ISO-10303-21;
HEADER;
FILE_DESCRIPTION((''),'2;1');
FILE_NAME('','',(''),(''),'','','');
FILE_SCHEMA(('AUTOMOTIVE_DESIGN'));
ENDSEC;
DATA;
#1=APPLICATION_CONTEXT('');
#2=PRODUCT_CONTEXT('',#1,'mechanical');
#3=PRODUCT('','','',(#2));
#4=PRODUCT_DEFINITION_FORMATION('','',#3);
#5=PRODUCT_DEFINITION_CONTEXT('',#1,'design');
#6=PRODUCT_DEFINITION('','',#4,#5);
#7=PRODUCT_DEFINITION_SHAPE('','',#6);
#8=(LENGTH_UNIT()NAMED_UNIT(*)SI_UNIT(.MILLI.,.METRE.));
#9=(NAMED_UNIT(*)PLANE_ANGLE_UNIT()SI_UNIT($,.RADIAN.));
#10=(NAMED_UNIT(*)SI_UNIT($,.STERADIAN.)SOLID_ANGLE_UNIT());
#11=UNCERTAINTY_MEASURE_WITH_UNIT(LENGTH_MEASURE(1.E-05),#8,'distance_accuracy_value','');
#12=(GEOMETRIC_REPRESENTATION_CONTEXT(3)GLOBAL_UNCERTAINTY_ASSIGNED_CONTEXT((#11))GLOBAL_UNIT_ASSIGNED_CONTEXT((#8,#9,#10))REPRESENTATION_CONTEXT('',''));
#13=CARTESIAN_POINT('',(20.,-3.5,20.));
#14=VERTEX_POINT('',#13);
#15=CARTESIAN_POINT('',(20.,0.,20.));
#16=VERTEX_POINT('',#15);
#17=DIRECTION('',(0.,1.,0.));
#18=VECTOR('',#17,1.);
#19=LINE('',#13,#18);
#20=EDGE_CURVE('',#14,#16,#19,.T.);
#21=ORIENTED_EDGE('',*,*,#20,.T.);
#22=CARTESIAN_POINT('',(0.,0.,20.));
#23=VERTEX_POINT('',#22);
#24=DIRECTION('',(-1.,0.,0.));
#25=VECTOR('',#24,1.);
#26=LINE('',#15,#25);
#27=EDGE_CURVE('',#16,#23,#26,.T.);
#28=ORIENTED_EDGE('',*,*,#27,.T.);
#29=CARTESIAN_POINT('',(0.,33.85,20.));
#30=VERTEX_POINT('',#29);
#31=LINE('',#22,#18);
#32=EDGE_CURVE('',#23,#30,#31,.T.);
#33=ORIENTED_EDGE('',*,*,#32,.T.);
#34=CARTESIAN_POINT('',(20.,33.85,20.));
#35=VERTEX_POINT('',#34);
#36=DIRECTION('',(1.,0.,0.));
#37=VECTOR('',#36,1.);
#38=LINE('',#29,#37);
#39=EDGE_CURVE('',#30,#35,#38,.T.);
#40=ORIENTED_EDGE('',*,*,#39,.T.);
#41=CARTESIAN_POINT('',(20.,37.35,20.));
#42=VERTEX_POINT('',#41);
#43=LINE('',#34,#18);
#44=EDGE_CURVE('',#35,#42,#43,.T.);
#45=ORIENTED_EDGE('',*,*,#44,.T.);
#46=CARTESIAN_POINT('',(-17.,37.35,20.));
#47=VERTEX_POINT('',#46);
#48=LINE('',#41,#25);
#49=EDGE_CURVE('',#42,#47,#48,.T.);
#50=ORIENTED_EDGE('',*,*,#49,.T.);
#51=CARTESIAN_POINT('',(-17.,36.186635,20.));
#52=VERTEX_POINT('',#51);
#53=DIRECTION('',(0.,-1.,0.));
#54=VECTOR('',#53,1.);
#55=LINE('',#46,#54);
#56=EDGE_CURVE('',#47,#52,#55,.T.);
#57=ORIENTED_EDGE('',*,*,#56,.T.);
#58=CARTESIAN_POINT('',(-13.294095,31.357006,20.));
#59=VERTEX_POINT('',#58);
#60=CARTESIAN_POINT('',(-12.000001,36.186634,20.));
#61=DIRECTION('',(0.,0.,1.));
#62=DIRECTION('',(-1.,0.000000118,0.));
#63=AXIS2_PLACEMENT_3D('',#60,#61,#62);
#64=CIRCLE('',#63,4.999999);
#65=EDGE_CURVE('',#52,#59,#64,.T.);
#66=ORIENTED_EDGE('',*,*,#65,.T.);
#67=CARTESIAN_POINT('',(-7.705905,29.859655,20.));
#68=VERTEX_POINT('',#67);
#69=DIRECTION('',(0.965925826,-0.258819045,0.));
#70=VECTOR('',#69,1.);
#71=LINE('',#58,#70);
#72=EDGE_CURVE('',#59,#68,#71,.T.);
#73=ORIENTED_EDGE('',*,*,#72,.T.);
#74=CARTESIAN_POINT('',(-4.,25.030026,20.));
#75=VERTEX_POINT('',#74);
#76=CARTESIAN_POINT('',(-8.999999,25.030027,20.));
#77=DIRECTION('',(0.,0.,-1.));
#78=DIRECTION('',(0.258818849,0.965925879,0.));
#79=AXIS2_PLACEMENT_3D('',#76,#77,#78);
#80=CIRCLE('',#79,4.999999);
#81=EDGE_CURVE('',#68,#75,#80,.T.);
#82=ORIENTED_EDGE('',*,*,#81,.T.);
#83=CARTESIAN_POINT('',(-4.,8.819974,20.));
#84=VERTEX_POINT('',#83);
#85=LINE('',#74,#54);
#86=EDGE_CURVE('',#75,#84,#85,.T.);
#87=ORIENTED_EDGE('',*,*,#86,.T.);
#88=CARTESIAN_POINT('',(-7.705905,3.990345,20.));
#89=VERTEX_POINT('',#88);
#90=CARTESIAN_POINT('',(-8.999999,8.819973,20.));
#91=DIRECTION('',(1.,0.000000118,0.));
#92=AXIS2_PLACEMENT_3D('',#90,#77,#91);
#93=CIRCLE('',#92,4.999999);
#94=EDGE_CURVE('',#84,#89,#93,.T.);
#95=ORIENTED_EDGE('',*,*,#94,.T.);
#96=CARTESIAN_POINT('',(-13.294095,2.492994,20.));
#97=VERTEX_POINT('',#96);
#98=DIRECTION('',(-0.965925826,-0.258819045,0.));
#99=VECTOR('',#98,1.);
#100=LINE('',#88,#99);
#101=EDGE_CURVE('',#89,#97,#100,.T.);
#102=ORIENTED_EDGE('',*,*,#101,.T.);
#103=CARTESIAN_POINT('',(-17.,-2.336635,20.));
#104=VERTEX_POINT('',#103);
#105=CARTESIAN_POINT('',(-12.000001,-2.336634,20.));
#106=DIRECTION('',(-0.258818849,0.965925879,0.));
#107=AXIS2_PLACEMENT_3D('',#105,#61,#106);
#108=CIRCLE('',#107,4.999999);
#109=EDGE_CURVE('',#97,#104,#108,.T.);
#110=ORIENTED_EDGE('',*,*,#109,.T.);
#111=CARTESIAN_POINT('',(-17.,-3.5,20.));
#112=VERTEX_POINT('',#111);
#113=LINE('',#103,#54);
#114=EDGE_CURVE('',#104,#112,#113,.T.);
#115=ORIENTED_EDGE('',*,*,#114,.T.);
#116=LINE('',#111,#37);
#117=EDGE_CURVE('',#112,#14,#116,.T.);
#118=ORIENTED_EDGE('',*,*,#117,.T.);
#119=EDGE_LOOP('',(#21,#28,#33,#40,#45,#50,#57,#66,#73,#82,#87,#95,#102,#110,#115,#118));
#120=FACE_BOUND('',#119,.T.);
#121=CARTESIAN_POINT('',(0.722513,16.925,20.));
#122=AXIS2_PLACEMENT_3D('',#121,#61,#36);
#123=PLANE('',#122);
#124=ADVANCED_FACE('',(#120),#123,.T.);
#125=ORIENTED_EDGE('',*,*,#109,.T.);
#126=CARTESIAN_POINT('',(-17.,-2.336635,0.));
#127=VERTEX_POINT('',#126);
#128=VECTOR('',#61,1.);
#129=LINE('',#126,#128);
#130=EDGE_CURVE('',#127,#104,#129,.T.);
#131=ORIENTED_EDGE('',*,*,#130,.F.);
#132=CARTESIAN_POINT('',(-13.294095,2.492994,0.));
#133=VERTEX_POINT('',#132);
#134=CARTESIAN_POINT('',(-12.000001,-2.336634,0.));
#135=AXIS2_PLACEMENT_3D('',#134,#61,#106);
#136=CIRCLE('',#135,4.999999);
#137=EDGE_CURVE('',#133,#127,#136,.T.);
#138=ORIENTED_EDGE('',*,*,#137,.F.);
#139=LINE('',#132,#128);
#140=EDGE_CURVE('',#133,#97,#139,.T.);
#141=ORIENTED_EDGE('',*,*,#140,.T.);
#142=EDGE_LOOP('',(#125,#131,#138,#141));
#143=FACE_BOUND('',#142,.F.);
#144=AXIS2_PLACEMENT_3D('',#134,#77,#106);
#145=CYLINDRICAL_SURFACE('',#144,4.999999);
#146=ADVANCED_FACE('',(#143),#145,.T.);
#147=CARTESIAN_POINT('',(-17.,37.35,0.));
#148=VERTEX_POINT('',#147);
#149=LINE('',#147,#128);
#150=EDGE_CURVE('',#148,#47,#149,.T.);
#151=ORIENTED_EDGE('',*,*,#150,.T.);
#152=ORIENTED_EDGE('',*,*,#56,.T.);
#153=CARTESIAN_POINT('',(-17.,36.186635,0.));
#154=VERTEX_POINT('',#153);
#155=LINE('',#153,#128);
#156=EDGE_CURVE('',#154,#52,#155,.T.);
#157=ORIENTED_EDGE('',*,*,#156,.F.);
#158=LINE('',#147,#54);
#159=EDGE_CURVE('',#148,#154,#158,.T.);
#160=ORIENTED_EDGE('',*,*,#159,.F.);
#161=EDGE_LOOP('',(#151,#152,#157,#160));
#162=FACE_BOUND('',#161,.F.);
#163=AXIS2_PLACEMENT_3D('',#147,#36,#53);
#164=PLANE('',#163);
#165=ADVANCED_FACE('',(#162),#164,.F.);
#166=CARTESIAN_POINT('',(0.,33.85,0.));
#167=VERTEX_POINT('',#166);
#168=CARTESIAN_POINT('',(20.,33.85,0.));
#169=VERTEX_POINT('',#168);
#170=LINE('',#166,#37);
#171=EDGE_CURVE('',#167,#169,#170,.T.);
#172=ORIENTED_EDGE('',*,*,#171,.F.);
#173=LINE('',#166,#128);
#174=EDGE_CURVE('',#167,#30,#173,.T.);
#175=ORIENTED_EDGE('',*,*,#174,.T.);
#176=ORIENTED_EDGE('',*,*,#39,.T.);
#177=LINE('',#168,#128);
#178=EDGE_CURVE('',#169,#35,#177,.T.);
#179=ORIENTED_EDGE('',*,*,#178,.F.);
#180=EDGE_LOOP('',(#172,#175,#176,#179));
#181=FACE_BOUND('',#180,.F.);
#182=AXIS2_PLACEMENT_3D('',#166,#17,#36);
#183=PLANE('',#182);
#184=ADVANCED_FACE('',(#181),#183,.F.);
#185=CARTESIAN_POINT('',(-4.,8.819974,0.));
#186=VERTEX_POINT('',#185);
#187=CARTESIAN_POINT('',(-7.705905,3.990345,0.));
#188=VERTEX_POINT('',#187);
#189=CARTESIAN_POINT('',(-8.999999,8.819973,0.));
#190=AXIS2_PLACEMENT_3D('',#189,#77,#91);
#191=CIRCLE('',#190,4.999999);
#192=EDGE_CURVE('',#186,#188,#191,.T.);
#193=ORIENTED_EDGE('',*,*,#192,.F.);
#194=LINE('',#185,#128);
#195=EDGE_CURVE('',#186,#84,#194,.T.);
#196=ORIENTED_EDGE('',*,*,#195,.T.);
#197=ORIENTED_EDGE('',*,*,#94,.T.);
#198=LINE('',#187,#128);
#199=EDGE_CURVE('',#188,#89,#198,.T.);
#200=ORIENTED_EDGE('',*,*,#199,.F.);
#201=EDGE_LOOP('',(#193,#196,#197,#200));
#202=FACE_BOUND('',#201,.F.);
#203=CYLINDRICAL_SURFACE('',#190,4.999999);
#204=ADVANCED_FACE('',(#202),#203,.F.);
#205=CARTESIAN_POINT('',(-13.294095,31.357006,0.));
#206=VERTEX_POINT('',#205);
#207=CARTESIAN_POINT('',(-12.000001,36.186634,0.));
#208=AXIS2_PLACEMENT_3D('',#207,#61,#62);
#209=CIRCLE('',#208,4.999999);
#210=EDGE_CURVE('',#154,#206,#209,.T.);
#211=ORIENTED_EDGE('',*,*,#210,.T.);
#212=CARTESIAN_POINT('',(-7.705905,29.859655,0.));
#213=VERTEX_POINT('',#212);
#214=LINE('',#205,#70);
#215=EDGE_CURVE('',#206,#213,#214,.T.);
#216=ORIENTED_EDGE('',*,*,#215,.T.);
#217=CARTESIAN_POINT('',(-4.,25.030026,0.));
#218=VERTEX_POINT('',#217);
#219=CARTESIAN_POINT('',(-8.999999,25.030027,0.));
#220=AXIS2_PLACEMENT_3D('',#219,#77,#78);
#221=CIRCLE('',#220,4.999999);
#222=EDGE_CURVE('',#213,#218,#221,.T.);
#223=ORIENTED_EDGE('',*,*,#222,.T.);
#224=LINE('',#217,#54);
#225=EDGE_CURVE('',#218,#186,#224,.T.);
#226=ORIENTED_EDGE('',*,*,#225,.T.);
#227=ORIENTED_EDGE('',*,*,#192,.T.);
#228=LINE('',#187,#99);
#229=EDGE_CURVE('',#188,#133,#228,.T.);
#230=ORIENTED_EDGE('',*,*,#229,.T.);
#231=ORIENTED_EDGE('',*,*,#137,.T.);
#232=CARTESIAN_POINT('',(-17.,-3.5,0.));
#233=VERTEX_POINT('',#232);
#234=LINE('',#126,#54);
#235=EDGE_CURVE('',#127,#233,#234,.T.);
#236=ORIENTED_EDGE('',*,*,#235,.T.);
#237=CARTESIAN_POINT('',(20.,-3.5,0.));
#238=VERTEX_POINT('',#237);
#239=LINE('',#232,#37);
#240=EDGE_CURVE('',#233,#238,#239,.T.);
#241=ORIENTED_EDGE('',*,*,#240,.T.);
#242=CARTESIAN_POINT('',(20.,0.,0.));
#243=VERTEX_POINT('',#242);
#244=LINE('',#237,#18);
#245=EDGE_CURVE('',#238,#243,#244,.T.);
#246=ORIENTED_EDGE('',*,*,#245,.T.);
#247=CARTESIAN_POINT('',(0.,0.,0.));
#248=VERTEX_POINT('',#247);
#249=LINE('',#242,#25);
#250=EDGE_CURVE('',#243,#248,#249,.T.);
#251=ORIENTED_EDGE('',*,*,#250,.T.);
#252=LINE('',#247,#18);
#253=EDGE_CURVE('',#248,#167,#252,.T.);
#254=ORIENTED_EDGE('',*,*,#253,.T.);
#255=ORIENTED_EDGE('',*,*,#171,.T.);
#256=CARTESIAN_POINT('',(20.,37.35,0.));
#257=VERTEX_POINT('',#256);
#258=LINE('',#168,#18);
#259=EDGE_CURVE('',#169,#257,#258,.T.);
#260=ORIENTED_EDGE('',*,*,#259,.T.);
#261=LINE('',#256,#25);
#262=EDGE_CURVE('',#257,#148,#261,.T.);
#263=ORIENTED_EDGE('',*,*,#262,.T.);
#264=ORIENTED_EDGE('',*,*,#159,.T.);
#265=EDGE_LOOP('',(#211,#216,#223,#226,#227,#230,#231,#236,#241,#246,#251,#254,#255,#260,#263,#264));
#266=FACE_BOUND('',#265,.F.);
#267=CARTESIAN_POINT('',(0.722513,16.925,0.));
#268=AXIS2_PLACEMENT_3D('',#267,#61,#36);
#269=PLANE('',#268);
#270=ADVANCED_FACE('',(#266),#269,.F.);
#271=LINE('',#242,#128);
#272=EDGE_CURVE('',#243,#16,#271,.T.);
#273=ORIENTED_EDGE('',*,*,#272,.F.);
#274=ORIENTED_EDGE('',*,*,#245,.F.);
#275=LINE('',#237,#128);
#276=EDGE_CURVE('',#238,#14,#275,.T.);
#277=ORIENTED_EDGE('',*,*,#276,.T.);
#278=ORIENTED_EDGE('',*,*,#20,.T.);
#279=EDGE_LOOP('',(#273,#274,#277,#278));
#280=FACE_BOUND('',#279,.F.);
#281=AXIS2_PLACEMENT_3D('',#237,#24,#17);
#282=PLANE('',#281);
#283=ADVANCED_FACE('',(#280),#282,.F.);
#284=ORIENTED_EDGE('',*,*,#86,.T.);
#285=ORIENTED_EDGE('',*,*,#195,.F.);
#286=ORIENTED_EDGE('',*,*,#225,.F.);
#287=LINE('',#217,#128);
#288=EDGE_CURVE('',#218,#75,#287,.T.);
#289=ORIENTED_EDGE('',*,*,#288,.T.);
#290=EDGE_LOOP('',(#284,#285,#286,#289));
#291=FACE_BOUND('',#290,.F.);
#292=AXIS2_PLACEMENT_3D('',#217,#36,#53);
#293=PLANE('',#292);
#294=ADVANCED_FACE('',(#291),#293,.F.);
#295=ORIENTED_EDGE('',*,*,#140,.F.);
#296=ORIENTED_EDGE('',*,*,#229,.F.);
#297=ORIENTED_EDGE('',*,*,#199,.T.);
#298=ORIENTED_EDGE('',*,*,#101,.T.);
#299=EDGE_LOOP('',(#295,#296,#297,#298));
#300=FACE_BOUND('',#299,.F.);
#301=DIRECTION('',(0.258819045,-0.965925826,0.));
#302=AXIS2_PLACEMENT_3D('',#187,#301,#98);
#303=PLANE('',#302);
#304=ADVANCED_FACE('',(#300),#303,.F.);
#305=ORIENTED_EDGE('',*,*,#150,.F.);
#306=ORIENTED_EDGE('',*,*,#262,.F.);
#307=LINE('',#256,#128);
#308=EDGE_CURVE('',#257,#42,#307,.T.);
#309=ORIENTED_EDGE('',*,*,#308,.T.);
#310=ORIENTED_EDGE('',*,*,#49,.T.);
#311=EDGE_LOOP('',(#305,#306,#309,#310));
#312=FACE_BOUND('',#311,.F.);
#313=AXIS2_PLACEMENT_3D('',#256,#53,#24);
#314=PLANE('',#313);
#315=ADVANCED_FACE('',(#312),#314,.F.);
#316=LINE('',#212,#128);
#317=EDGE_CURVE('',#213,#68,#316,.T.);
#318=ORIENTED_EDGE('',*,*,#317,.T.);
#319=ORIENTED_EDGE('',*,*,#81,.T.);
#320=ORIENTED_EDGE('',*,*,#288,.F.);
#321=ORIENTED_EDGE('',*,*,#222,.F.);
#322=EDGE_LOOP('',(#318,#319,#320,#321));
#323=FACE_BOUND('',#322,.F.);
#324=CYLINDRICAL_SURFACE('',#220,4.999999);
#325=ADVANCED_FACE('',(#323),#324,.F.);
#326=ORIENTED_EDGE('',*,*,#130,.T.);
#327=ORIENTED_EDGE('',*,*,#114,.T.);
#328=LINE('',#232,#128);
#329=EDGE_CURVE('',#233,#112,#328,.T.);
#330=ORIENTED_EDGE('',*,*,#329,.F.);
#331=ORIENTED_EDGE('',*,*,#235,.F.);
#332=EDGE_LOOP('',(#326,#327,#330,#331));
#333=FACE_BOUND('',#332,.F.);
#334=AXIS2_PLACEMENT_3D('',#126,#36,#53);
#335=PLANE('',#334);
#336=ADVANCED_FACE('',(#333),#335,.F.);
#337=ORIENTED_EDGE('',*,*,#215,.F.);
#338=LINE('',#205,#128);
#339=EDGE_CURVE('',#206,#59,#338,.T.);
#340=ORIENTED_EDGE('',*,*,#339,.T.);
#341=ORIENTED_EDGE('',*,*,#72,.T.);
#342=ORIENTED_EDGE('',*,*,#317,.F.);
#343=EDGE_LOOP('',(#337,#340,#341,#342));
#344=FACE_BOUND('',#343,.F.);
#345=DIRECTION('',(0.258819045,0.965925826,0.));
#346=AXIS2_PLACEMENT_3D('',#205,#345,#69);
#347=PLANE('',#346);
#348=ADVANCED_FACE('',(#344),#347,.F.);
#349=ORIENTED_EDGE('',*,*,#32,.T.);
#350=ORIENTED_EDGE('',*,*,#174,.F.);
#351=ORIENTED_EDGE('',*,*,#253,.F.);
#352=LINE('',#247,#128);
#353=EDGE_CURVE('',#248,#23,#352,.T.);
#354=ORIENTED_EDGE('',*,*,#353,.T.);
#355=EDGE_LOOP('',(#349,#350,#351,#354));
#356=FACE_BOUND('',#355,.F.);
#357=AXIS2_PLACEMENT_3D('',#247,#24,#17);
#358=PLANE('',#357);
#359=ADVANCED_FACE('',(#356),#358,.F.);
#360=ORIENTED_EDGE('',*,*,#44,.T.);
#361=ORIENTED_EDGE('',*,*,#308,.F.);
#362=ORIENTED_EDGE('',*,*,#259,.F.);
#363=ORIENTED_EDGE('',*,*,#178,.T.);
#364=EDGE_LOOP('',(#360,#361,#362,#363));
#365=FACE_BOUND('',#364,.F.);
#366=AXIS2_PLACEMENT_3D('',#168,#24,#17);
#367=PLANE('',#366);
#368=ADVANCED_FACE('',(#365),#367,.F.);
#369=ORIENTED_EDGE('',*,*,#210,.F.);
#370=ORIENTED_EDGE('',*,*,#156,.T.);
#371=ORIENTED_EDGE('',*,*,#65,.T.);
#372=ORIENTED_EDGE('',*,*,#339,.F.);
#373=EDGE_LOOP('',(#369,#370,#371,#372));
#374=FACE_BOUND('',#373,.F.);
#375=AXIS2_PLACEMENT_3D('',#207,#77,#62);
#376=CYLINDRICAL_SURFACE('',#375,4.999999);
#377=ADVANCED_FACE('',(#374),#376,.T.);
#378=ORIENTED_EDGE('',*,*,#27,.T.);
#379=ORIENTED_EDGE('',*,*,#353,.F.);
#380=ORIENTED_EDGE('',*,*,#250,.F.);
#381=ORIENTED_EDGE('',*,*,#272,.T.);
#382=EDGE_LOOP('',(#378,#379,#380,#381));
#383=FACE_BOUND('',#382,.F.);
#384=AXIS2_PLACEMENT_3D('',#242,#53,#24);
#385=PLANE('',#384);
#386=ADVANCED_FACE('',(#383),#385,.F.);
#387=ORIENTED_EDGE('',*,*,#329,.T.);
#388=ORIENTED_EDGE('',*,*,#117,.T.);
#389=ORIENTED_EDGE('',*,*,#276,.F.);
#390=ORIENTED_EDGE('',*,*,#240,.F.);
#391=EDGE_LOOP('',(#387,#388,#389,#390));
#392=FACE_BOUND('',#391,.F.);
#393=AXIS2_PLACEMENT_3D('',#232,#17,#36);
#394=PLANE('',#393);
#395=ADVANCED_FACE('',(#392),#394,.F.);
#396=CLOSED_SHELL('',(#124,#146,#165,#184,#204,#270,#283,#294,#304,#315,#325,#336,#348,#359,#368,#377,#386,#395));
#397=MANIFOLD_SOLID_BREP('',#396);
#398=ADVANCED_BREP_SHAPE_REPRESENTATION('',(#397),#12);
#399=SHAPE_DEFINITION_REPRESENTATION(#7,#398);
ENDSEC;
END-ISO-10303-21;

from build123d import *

# Parameters (mm, degrees)
F1_DEPTH = 20


with BuildPart() as f1:
    # F0 (on Top) → F1 (new body)
    with BuildSketch(Plane.XY):
        with BuildLine():
            Line((20, -3.5), (20, 0))
            Line((20, 0), (0, 0))
            Line((0, 0), (0, 33.85))
            Line((0, 33.85), (20, 33.85))
            Line((20, 33.85), (20, 37.35))
            Line((20, 37.35), (-17, 37.35))
            Line((-17, 37.35), (-17, 36.186635))
            ThreePointArc((-17, 36.186635), (-15.966767, 33.142828), (-13.294095, 31.357006))
            Line((-13.294095, 31.357006), (-7.705905, 29.859655))
            ThreePointArc((-7.705905, 29.859655), (-5.033233, 28.073833), (-4, 25.030026))
            Line((-4, 25.030026), (-4, 16.925))
            Line((-4, 16.925), (-4, 8.819974))
            ThreePointArc((-4, 8.819974), (-5.033233, 5.776167), (-7.705905, 3.990345))
            Line((-7.705905, 3.990345), (-13.294095, 2.492994))
            ThreePointArc((-13.294095, 2.492994), (-15.966767, 0.707172), (-17, -2.336635))
            Line((-17, -2.336635), (-17, -3.5))
            Line((-17, -3.5), (20, -3.5))
        make_face()
    extrude(amount=F1_DEPTH)


solid = f1.part
